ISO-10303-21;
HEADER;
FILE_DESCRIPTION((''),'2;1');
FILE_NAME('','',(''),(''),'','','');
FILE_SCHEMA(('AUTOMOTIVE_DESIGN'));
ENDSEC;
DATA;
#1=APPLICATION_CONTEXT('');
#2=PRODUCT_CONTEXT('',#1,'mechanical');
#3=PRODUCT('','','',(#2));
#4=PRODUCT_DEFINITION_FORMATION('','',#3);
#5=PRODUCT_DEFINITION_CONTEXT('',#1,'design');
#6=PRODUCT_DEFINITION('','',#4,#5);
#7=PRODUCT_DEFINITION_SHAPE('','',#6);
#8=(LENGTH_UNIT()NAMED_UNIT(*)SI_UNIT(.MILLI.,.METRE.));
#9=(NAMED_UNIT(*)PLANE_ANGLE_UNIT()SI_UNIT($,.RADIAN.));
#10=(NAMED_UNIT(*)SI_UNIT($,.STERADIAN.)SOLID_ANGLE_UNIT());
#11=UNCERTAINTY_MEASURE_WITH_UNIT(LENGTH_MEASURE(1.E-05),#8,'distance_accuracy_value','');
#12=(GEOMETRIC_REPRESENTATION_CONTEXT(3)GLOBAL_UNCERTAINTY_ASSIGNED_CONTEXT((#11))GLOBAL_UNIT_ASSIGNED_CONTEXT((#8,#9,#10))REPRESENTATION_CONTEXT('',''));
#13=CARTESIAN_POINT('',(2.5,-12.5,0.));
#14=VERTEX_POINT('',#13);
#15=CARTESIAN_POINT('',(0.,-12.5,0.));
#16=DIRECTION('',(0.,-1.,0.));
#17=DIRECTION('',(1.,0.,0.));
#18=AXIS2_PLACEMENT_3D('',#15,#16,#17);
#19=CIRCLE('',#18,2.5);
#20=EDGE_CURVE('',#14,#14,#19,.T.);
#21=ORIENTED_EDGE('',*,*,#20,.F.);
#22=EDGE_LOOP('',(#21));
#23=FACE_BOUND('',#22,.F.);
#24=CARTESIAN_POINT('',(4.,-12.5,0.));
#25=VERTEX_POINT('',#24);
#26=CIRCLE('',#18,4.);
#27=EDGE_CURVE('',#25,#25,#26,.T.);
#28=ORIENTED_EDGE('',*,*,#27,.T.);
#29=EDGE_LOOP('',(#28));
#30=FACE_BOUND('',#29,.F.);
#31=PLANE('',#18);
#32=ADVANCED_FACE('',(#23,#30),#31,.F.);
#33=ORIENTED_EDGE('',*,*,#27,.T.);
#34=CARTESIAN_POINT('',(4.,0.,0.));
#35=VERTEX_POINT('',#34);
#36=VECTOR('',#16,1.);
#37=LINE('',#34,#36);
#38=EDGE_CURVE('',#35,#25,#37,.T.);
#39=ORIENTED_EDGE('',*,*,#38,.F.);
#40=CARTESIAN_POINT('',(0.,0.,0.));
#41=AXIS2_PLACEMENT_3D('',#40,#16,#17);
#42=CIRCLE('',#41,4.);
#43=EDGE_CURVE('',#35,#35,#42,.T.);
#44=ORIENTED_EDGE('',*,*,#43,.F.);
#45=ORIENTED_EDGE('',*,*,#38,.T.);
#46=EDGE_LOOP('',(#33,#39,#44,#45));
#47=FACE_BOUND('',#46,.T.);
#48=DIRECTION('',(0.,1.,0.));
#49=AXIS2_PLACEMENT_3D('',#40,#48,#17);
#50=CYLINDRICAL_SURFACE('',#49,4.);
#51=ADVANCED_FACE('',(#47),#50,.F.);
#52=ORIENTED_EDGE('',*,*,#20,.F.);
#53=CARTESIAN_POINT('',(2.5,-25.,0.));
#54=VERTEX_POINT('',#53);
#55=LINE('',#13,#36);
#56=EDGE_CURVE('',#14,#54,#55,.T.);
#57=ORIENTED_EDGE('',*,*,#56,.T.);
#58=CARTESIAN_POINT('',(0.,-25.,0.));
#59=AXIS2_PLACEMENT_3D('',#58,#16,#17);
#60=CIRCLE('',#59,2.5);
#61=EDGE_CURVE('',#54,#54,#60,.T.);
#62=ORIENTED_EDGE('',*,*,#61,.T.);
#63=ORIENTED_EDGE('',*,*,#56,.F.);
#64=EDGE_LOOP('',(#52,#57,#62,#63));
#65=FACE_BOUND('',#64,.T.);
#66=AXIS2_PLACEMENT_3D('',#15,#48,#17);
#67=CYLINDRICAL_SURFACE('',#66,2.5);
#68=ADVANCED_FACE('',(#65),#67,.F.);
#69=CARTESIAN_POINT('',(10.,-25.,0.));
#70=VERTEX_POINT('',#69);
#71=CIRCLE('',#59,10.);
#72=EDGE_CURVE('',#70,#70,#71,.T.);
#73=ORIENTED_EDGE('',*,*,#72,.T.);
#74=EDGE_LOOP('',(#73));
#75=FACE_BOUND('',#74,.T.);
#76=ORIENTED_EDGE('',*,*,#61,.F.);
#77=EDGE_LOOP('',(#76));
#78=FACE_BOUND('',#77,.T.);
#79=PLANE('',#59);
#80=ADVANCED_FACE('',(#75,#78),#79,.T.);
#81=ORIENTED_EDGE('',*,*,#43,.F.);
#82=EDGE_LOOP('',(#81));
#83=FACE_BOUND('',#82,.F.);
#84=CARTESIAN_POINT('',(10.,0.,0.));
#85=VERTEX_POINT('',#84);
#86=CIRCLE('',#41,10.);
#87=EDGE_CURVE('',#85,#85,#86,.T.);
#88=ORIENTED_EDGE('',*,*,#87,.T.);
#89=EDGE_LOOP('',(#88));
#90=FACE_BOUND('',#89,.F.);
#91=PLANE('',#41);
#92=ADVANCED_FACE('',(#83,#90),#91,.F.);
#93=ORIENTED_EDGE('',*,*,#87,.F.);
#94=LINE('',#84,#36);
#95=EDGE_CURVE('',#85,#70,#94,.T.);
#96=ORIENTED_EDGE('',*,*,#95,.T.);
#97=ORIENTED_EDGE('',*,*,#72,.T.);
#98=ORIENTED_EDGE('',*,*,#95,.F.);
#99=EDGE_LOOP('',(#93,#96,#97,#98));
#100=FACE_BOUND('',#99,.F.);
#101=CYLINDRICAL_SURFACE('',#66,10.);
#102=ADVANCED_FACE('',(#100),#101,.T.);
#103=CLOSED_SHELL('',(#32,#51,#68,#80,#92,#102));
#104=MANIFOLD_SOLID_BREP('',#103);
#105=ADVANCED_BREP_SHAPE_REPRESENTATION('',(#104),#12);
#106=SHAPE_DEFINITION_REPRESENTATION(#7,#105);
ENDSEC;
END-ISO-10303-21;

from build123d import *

# Parameters (mm, degrees)
F3_R     = 10
F3_R_2   = 4
F0_DEPTH = 12.5
F1_R     = 10
F1_R_2   = 4
F1_R_3   = 2.5
F2_DEPTH = 12.5


with BuildPart() as f0:
    # F3 (on Front) → F0 (new body)
    with BuildSketch(Plane.XZ):
        Circle(F3_R)
        Circle(F3_R_2, mode=Mode.SUBTRACT)
    extrude(amount=F0_DEPTH)

    # F1 (on face) → F2 (join)
    with BuildSketch(Plane.XZ.offset(12.5)):
        Circle(F1_R)
        Circle(F1_R_2, mode=Mode.SUBTRACT)
        Circle(F1_R_2)
        Circle(F1_R_3, mode=Mode.SUBTRACT)
    extrude(amount=F2_DEPTH)


solid = f0.part
